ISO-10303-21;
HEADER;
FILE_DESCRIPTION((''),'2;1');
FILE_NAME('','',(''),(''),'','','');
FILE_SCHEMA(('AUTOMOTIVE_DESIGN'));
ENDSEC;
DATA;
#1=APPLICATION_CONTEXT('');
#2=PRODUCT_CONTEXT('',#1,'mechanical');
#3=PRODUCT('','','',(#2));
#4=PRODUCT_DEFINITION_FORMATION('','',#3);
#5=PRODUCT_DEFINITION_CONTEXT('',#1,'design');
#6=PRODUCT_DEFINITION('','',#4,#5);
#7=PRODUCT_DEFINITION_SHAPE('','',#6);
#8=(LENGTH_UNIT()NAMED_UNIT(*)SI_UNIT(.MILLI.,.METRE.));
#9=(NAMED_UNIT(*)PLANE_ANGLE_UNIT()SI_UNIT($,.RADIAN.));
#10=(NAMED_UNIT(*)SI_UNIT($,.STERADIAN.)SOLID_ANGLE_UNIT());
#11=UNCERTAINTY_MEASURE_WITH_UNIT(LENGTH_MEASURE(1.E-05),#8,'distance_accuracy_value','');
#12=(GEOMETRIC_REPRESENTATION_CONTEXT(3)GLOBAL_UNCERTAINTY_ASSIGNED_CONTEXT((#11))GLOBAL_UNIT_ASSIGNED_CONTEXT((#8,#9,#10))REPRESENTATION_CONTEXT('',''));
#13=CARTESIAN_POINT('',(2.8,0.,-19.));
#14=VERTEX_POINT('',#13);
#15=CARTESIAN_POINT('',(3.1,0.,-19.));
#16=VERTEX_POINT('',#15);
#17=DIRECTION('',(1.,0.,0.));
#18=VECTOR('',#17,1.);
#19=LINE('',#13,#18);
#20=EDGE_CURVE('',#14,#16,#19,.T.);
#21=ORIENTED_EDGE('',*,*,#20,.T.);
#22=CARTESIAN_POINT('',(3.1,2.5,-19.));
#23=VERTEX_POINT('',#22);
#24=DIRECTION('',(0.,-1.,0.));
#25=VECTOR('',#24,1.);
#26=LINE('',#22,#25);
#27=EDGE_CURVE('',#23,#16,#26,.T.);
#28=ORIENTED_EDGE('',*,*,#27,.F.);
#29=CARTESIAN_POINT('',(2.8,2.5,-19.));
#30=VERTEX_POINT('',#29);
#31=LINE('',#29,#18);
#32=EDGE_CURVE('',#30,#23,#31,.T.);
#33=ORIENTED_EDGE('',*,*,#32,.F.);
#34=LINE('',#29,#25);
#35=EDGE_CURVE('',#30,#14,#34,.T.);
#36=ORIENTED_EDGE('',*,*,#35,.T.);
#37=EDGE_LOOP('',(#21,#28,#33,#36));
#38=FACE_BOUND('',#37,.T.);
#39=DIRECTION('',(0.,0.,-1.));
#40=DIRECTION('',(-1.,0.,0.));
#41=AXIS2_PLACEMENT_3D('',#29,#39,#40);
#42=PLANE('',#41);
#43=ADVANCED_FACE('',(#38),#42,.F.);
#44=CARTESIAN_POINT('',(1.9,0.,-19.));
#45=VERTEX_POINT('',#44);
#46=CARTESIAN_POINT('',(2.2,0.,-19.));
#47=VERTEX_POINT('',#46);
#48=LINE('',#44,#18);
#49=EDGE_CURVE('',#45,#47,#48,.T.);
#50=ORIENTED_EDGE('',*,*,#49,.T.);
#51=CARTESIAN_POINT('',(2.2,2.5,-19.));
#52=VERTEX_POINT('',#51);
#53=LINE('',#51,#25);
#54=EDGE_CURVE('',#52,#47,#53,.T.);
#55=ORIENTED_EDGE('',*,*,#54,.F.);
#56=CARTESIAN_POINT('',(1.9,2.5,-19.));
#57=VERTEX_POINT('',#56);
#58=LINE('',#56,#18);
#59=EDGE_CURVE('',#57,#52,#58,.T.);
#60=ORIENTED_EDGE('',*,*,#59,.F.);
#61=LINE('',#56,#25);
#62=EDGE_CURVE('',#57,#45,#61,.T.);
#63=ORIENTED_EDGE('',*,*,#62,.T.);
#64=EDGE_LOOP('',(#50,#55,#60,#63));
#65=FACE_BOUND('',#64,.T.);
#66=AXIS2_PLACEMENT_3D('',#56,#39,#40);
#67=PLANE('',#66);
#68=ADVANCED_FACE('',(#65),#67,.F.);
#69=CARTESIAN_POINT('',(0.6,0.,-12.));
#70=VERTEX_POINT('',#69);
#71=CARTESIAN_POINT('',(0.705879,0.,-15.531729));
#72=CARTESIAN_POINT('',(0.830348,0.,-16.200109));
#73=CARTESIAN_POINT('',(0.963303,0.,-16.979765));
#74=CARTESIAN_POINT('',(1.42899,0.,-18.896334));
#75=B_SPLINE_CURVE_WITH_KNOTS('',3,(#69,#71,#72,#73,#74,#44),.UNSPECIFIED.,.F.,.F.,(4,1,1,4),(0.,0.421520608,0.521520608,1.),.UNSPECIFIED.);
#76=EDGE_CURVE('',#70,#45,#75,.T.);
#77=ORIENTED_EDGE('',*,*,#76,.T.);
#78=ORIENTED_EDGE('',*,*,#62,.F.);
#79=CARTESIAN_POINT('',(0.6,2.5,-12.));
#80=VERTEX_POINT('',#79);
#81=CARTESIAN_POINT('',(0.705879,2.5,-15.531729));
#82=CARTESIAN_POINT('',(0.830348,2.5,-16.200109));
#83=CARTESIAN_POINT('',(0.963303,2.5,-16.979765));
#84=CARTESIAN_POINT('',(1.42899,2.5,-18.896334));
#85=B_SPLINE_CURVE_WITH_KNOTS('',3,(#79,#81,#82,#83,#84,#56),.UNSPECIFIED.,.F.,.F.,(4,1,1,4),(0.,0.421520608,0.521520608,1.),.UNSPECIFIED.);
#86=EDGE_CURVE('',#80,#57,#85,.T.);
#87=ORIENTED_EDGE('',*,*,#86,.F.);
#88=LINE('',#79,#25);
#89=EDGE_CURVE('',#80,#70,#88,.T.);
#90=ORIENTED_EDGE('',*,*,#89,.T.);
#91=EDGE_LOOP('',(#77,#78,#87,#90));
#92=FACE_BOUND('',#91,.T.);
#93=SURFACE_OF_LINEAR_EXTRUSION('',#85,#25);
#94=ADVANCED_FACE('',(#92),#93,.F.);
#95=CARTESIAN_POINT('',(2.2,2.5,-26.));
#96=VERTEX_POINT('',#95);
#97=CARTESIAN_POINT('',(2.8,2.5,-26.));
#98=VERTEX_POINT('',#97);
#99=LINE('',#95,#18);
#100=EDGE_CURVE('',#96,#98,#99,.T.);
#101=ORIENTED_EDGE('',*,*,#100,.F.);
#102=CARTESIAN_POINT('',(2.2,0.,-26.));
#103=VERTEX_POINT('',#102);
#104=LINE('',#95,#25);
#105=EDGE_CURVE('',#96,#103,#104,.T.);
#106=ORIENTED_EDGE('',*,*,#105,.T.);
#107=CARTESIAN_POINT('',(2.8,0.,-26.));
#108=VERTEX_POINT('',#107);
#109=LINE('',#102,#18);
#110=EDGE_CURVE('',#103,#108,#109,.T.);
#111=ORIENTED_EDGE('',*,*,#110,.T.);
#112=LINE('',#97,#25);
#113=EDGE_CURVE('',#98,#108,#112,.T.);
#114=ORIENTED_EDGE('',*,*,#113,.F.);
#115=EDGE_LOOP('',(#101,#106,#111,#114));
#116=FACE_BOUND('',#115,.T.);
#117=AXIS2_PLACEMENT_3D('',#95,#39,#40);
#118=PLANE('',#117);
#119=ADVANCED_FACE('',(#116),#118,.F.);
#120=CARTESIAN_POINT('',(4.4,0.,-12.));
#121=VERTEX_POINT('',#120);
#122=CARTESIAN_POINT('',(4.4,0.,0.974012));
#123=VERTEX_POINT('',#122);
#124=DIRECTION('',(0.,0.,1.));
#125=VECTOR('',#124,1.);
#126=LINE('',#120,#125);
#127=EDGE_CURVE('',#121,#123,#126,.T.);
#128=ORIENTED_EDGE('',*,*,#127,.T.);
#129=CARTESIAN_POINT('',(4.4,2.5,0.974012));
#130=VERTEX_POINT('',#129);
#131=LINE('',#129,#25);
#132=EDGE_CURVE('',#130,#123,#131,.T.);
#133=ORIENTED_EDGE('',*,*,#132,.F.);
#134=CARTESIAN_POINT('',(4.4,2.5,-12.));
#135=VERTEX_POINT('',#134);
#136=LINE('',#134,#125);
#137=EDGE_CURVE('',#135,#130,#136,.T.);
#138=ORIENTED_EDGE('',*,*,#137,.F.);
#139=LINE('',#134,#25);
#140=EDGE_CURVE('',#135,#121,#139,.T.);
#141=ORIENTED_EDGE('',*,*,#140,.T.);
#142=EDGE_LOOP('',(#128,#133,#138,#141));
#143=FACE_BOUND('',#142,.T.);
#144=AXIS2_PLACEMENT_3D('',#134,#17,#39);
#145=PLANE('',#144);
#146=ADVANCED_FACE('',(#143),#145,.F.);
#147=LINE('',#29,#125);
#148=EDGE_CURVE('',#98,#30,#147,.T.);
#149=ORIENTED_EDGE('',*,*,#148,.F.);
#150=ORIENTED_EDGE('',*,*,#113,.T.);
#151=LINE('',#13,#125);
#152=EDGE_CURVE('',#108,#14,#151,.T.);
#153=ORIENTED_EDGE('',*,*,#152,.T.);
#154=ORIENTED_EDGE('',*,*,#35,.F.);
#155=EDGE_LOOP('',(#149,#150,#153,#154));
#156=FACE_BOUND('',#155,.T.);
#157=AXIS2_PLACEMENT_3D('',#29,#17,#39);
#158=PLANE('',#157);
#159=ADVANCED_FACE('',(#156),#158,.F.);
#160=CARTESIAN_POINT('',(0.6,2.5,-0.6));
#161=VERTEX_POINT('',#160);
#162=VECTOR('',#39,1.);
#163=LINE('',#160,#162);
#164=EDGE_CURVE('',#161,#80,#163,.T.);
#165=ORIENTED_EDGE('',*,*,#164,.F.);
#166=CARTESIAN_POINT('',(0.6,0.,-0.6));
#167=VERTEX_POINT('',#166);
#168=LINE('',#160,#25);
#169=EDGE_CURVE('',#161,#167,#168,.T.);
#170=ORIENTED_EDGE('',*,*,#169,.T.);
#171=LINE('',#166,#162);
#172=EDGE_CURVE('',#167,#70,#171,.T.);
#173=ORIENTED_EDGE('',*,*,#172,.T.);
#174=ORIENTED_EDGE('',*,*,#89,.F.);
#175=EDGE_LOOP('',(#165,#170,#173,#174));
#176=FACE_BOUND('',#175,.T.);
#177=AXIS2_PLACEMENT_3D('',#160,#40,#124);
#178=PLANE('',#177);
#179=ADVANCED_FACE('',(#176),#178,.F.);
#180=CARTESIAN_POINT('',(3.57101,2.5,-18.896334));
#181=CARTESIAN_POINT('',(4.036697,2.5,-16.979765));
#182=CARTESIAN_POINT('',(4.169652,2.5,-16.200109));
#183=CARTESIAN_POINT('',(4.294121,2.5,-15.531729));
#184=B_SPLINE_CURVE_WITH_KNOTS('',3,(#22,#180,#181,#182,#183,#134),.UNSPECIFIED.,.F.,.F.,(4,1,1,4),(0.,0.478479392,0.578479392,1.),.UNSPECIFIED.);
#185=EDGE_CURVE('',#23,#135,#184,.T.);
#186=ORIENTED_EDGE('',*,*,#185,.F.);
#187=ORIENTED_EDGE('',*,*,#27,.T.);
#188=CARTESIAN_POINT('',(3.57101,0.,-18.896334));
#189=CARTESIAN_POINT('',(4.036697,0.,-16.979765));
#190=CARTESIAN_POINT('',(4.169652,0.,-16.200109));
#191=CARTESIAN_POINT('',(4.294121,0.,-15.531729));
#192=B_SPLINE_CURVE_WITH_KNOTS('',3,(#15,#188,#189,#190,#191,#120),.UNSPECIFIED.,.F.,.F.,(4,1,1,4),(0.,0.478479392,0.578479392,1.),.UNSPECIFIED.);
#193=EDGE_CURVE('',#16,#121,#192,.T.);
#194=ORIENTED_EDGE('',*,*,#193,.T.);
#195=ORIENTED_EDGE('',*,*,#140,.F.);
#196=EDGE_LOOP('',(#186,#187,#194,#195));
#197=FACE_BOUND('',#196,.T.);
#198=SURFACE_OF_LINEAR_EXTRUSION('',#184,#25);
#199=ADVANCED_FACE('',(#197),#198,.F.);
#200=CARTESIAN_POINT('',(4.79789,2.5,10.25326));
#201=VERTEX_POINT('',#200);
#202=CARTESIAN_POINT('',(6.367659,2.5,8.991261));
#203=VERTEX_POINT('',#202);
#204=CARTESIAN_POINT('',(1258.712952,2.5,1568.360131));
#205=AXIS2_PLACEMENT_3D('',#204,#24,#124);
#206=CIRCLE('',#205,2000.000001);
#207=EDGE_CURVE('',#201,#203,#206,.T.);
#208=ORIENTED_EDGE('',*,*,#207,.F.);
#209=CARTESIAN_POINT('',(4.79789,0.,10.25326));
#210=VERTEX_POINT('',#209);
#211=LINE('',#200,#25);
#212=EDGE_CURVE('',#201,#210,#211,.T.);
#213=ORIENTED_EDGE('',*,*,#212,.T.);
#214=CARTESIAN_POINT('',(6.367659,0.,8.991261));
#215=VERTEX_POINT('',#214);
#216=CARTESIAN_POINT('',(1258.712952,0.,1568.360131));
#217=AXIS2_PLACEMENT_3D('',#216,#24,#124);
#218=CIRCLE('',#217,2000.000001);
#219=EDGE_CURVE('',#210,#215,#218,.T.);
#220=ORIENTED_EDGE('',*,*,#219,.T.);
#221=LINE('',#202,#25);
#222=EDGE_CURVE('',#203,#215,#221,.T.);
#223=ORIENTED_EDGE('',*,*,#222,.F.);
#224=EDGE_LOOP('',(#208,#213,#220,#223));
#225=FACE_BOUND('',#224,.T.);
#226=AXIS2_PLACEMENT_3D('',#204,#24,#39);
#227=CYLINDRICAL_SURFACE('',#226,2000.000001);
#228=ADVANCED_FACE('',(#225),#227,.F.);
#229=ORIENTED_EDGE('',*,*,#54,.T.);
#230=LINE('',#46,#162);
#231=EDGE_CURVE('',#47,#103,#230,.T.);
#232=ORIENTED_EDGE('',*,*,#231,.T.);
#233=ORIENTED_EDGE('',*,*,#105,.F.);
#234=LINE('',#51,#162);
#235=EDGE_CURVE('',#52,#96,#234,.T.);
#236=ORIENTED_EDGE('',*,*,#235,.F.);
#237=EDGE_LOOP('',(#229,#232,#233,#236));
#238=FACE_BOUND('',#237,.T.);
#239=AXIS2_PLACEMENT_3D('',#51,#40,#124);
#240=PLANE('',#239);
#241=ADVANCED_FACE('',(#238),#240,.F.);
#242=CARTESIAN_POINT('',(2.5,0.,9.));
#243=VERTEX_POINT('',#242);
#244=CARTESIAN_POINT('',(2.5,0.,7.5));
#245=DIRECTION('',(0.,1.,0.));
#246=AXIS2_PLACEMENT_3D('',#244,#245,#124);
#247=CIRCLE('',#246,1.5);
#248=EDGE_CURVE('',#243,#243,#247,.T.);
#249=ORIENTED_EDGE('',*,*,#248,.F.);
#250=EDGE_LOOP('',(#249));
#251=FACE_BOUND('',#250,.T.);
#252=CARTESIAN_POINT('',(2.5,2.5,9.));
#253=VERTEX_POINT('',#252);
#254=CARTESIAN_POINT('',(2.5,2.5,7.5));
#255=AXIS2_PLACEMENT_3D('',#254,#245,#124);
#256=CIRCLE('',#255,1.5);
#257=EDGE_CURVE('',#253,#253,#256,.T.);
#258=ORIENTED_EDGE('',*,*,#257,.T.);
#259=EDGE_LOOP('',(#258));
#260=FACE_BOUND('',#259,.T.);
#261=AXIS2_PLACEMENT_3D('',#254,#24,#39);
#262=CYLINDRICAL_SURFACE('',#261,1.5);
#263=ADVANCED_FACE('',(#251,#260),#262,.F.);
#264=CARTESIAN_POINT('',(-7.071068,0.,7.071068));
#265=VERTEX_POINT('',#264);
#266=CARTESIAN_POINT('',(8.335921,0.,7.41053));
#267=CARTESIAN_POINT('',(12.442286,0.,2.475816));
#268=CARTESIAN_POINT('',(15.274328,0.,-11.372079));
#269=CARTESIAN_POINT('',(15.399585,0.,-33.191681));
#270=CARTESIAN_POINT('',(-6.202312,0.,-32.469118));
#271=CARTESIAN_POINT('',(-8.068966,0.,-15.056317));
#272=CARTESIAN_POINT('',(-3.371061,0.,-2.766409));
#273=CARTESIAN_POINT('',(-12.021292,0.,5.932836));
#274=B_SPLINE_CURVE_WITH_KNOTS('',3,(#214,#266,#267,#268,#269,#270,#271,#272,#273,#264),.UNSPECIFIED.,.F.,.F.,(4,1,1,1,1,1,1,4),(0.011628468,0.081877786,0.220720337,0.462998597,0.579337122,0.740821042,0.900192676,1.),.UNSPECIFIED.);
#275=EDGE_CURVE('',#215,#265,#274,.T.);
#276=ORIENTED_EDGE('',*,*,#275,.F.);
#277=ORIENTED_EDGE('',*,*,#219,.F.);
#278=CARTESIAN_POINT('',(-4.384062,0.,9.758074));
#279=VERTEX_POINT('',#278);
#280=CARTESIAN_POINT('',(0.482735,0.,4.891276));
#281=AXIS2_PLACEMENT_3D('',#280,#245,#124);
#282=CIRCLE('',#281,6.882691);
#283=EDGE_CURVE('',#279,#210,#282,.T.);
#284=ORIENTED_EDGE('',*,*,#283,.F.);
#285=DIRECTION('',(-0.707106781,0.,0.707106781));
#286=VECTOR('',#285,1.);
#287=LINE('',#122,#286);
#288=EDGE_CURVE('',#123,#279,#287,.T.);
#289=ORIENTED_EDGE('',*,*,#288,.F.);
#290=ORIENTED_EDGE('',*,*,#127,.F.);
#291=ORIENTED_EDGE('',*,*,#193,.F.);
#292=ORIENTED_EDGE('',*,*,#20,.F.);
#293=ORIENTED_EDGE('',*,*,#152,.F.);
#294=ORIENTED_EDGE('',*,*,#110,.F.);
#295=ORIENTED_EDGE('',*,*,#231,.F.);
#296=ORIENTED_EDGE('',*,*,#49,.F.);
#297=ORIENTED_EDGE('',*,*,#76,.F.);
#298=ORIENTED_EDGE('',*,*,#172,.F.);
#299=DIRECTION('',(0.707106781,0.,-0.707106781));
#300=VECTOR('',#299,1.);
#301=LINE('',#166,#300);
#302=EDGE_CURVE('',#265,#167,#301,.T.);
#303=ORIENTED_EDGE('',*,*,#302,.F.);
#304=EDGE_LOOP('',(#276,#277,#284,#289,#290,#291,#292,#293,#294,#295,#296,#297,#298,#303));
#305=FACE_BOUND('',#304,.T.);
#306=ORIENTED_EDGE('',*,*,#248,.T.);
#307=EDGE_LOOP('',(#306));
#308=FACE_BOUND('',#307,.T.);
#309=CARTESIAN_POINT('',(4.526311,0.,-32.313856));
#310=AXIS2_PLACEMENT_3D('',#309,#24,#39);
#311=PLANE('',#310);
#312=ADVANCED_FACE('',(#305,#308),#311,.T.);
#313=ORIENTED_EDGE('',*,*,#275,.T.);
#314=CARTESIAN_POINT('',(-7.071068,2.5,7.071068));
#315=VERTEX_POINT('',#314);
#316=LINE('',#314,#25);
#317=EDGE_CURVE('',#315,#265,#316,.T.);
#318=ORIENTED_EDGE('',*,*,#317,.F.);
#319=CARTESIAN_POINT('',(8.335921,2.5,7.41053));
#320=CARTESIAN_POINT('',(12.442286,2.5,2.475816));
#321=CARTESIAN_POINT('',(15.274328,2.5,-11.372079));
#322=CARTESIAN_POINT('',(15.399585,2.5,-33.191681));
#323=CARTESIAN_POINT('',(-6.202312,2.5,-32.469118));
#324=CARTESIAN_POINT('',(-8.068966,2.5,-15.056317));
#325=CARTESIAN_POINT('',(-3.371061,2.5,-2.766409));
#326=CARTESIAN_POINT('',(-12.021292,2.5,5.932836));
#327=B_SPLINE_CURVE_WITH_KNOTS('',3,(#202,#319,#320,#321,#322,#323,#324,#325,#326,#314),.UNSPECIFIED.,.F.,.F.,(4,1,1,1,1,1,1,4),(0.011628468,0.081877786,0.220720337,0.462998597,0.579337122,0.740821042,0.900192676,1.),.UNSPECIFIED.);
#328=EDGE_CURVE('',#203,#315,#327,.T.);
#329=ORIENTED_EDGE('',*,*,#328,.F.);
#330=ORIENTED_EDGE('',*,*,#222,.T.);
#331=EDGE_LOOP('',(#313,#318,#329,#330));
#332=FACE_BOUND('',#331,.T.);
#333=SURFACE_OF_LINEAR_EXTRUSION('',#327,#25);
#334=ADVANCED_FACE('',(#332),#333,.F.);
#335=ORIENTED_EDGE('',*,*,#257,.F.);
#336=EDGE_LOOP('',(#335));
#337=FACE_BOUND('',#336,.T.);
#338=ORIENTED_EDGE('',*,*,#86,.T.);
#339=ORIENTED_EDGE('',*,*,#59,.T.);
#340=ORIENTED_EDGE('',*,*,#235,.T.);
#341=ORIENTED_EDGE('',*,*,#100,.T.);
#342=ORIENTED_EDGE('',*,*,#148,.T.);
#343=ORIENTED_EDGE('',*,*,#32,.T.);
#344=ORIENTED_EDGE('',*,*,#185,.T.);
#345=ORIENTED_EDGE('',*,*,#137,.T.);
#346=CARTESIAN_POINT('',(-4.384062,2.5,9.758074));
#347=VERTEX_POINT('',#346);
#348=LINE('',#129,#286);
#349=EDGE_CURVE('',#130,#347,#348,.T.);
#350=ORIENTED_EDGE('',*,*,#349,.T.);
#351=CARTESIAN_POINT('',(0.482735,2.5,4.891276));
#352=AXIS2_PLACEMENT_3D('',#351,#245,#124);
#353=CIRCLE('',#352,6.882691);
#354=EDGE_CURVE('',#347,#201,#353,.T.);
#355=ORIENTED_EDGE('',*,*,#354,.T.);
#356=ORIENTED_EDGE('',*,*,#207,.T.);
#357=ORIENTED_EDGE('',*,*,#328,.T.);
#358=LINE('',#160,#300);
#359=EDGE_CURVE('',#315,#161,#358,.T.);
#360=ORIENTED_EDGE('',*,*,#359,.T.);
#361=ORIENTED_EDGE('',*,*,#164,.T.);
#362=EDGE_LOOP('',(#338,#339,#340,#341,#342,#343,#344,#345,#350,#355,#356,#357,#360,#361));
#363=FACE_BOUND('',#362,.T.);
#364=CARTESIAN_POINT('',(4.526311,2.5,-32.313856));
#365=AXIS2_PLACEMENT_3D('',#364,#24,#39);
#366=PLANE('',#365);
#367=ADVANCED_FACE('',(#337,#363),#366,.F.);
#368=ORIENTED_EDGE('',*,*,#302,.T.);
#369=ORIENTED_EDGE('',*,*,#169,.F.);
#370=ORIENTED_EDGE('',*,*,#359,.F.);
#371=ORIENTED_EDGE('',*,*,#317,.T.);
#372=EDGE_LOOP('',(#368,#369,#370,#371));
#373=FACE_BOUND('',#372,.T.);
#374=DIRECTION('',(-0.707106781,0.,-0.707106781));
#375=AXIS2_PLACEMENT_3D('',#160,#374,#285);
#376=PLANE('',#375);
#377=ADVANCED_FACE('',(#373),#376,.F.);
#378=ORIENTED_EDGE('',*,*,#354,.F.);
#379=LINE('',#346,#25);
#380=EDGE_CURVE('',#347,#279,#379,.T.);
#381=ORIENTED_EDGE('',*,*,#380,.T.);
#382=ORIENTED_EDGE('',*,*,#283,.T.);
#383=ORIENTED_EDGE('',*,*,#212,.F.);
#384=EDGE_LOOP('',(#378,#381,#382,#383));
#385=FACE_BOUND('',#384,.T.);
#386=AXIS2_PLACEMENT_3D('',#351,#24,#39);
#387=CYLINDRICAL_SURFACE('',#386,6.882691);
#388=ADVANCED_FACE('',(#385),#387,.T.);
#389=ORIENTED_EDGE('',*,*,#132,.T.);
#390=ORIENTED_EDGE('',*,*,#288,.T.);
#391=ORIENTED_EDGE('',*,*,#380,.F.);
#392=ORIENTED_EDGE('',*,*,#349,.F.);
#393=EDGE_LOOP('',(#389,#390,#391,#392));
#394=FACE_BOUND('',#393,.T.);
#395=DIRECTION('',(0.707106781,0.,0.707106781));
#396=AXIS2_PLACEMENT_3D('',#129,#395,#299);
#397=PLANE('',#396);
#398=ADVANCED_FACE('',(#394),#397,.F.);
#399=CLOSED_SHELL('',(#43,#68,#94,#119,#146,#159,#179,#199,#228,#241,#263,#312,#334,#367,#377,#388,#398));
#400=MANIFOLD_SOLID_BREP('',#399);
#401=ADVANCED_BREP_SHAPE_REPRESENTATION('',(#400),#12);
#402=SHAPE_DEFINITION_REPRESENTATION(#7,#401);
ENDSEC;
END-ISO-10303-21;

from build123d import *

# Parameters (mm, degrees)
SKETCH1_R           = 1.5
BOSS_EXTRUDE1_DEPTH = 2.5


with BuildPart() as part:
    # Sketch1 → Boss-Extrude1 (new body)
    with BuildSketch(Plane(origin=(0, 0, 0), x_dir=(1, 0, 0), z_dir=(0, 1, 0))):
        with BuildLine():
            Line((0.6, 0.6), (0.6, 12))
            add(Edge.make_bspline(
                [(0.6, 12), (0.705879385, 15.531728995), (0.830348084, 16.200108902), (0.963303185, 16.979764987), (1.42899004, 18.896334129), (1.9, 19)],
                knots=[0, 0, 0, 0, 0.421520608, 0.521520608, 1, 1, 1, 1], degree=3))
            Line((1.9, 19), (2.2, 19))
            Line((2.2, 19), (2.2, 26))
            Line((2.2, 26), (2.8, 26))
            Line((2.8, 26), (2.8, 19))
            Line((2.8, 19), (3.1, 19))
            add(Edge.make_bspline(
                [(4.4, 12), (4.294120615, 15.531728995), (4.169651916, 16.200108902), (4.036696815, 16.979764987), (3.57100996, 18.896334129), (3.1, 19)],
                knots=[0, 0, 0, 0, 0.421520608, 0.521520608, 1, 1, 1, 1], degree=3))
            Line((4.4, 12), (4.4, -0.974011537))
            Line((4.4, -0.974011537), (-4.384062043, -9.75807358))
            ThreePointArc((-4.384062043, -9.75807358), (0.112087391, -11.763979662), (4.797889936, -10.253260144))
            ThreePointArc((4.797889936, -10.253260144), (5.582615722, -9.622063145), (6.36765924, -8.991261367))
            add(Edge.make_bspline(
                [(6.36765924, -8.991261367), (8.335921286, -7.410529729), (12.442286463, -2.475816032), (15.274328452, 11.372078595), (15.399585069, 33.191681109), (-6.202311682, 32.469118273), (-8.068966361, 15.05631667), (-3.371060807, 2.766408617), (-12.021291616, -5.932835632), (-7.071067812, -7.071067812)],
                knots=[0.011628468, 0.011628468, 0.011628468, 0.011628468, 0.081877786, 0.220720337, 0.462998597, 0.579337122, 0.740821042, 0.900192676, 1, 1, 1, 1], degree=3))
            Line((-7.071067812, -7.071067812), (0.6, 0.6))
        make_face()
        with Locations((2.5, -7.5)):
            Circle(SKETCH1_R, mode=Mode.SUBTRACT)
    extrude(amount=BOSS_EXTRUDE1_DEPTH)


solid = part.part
